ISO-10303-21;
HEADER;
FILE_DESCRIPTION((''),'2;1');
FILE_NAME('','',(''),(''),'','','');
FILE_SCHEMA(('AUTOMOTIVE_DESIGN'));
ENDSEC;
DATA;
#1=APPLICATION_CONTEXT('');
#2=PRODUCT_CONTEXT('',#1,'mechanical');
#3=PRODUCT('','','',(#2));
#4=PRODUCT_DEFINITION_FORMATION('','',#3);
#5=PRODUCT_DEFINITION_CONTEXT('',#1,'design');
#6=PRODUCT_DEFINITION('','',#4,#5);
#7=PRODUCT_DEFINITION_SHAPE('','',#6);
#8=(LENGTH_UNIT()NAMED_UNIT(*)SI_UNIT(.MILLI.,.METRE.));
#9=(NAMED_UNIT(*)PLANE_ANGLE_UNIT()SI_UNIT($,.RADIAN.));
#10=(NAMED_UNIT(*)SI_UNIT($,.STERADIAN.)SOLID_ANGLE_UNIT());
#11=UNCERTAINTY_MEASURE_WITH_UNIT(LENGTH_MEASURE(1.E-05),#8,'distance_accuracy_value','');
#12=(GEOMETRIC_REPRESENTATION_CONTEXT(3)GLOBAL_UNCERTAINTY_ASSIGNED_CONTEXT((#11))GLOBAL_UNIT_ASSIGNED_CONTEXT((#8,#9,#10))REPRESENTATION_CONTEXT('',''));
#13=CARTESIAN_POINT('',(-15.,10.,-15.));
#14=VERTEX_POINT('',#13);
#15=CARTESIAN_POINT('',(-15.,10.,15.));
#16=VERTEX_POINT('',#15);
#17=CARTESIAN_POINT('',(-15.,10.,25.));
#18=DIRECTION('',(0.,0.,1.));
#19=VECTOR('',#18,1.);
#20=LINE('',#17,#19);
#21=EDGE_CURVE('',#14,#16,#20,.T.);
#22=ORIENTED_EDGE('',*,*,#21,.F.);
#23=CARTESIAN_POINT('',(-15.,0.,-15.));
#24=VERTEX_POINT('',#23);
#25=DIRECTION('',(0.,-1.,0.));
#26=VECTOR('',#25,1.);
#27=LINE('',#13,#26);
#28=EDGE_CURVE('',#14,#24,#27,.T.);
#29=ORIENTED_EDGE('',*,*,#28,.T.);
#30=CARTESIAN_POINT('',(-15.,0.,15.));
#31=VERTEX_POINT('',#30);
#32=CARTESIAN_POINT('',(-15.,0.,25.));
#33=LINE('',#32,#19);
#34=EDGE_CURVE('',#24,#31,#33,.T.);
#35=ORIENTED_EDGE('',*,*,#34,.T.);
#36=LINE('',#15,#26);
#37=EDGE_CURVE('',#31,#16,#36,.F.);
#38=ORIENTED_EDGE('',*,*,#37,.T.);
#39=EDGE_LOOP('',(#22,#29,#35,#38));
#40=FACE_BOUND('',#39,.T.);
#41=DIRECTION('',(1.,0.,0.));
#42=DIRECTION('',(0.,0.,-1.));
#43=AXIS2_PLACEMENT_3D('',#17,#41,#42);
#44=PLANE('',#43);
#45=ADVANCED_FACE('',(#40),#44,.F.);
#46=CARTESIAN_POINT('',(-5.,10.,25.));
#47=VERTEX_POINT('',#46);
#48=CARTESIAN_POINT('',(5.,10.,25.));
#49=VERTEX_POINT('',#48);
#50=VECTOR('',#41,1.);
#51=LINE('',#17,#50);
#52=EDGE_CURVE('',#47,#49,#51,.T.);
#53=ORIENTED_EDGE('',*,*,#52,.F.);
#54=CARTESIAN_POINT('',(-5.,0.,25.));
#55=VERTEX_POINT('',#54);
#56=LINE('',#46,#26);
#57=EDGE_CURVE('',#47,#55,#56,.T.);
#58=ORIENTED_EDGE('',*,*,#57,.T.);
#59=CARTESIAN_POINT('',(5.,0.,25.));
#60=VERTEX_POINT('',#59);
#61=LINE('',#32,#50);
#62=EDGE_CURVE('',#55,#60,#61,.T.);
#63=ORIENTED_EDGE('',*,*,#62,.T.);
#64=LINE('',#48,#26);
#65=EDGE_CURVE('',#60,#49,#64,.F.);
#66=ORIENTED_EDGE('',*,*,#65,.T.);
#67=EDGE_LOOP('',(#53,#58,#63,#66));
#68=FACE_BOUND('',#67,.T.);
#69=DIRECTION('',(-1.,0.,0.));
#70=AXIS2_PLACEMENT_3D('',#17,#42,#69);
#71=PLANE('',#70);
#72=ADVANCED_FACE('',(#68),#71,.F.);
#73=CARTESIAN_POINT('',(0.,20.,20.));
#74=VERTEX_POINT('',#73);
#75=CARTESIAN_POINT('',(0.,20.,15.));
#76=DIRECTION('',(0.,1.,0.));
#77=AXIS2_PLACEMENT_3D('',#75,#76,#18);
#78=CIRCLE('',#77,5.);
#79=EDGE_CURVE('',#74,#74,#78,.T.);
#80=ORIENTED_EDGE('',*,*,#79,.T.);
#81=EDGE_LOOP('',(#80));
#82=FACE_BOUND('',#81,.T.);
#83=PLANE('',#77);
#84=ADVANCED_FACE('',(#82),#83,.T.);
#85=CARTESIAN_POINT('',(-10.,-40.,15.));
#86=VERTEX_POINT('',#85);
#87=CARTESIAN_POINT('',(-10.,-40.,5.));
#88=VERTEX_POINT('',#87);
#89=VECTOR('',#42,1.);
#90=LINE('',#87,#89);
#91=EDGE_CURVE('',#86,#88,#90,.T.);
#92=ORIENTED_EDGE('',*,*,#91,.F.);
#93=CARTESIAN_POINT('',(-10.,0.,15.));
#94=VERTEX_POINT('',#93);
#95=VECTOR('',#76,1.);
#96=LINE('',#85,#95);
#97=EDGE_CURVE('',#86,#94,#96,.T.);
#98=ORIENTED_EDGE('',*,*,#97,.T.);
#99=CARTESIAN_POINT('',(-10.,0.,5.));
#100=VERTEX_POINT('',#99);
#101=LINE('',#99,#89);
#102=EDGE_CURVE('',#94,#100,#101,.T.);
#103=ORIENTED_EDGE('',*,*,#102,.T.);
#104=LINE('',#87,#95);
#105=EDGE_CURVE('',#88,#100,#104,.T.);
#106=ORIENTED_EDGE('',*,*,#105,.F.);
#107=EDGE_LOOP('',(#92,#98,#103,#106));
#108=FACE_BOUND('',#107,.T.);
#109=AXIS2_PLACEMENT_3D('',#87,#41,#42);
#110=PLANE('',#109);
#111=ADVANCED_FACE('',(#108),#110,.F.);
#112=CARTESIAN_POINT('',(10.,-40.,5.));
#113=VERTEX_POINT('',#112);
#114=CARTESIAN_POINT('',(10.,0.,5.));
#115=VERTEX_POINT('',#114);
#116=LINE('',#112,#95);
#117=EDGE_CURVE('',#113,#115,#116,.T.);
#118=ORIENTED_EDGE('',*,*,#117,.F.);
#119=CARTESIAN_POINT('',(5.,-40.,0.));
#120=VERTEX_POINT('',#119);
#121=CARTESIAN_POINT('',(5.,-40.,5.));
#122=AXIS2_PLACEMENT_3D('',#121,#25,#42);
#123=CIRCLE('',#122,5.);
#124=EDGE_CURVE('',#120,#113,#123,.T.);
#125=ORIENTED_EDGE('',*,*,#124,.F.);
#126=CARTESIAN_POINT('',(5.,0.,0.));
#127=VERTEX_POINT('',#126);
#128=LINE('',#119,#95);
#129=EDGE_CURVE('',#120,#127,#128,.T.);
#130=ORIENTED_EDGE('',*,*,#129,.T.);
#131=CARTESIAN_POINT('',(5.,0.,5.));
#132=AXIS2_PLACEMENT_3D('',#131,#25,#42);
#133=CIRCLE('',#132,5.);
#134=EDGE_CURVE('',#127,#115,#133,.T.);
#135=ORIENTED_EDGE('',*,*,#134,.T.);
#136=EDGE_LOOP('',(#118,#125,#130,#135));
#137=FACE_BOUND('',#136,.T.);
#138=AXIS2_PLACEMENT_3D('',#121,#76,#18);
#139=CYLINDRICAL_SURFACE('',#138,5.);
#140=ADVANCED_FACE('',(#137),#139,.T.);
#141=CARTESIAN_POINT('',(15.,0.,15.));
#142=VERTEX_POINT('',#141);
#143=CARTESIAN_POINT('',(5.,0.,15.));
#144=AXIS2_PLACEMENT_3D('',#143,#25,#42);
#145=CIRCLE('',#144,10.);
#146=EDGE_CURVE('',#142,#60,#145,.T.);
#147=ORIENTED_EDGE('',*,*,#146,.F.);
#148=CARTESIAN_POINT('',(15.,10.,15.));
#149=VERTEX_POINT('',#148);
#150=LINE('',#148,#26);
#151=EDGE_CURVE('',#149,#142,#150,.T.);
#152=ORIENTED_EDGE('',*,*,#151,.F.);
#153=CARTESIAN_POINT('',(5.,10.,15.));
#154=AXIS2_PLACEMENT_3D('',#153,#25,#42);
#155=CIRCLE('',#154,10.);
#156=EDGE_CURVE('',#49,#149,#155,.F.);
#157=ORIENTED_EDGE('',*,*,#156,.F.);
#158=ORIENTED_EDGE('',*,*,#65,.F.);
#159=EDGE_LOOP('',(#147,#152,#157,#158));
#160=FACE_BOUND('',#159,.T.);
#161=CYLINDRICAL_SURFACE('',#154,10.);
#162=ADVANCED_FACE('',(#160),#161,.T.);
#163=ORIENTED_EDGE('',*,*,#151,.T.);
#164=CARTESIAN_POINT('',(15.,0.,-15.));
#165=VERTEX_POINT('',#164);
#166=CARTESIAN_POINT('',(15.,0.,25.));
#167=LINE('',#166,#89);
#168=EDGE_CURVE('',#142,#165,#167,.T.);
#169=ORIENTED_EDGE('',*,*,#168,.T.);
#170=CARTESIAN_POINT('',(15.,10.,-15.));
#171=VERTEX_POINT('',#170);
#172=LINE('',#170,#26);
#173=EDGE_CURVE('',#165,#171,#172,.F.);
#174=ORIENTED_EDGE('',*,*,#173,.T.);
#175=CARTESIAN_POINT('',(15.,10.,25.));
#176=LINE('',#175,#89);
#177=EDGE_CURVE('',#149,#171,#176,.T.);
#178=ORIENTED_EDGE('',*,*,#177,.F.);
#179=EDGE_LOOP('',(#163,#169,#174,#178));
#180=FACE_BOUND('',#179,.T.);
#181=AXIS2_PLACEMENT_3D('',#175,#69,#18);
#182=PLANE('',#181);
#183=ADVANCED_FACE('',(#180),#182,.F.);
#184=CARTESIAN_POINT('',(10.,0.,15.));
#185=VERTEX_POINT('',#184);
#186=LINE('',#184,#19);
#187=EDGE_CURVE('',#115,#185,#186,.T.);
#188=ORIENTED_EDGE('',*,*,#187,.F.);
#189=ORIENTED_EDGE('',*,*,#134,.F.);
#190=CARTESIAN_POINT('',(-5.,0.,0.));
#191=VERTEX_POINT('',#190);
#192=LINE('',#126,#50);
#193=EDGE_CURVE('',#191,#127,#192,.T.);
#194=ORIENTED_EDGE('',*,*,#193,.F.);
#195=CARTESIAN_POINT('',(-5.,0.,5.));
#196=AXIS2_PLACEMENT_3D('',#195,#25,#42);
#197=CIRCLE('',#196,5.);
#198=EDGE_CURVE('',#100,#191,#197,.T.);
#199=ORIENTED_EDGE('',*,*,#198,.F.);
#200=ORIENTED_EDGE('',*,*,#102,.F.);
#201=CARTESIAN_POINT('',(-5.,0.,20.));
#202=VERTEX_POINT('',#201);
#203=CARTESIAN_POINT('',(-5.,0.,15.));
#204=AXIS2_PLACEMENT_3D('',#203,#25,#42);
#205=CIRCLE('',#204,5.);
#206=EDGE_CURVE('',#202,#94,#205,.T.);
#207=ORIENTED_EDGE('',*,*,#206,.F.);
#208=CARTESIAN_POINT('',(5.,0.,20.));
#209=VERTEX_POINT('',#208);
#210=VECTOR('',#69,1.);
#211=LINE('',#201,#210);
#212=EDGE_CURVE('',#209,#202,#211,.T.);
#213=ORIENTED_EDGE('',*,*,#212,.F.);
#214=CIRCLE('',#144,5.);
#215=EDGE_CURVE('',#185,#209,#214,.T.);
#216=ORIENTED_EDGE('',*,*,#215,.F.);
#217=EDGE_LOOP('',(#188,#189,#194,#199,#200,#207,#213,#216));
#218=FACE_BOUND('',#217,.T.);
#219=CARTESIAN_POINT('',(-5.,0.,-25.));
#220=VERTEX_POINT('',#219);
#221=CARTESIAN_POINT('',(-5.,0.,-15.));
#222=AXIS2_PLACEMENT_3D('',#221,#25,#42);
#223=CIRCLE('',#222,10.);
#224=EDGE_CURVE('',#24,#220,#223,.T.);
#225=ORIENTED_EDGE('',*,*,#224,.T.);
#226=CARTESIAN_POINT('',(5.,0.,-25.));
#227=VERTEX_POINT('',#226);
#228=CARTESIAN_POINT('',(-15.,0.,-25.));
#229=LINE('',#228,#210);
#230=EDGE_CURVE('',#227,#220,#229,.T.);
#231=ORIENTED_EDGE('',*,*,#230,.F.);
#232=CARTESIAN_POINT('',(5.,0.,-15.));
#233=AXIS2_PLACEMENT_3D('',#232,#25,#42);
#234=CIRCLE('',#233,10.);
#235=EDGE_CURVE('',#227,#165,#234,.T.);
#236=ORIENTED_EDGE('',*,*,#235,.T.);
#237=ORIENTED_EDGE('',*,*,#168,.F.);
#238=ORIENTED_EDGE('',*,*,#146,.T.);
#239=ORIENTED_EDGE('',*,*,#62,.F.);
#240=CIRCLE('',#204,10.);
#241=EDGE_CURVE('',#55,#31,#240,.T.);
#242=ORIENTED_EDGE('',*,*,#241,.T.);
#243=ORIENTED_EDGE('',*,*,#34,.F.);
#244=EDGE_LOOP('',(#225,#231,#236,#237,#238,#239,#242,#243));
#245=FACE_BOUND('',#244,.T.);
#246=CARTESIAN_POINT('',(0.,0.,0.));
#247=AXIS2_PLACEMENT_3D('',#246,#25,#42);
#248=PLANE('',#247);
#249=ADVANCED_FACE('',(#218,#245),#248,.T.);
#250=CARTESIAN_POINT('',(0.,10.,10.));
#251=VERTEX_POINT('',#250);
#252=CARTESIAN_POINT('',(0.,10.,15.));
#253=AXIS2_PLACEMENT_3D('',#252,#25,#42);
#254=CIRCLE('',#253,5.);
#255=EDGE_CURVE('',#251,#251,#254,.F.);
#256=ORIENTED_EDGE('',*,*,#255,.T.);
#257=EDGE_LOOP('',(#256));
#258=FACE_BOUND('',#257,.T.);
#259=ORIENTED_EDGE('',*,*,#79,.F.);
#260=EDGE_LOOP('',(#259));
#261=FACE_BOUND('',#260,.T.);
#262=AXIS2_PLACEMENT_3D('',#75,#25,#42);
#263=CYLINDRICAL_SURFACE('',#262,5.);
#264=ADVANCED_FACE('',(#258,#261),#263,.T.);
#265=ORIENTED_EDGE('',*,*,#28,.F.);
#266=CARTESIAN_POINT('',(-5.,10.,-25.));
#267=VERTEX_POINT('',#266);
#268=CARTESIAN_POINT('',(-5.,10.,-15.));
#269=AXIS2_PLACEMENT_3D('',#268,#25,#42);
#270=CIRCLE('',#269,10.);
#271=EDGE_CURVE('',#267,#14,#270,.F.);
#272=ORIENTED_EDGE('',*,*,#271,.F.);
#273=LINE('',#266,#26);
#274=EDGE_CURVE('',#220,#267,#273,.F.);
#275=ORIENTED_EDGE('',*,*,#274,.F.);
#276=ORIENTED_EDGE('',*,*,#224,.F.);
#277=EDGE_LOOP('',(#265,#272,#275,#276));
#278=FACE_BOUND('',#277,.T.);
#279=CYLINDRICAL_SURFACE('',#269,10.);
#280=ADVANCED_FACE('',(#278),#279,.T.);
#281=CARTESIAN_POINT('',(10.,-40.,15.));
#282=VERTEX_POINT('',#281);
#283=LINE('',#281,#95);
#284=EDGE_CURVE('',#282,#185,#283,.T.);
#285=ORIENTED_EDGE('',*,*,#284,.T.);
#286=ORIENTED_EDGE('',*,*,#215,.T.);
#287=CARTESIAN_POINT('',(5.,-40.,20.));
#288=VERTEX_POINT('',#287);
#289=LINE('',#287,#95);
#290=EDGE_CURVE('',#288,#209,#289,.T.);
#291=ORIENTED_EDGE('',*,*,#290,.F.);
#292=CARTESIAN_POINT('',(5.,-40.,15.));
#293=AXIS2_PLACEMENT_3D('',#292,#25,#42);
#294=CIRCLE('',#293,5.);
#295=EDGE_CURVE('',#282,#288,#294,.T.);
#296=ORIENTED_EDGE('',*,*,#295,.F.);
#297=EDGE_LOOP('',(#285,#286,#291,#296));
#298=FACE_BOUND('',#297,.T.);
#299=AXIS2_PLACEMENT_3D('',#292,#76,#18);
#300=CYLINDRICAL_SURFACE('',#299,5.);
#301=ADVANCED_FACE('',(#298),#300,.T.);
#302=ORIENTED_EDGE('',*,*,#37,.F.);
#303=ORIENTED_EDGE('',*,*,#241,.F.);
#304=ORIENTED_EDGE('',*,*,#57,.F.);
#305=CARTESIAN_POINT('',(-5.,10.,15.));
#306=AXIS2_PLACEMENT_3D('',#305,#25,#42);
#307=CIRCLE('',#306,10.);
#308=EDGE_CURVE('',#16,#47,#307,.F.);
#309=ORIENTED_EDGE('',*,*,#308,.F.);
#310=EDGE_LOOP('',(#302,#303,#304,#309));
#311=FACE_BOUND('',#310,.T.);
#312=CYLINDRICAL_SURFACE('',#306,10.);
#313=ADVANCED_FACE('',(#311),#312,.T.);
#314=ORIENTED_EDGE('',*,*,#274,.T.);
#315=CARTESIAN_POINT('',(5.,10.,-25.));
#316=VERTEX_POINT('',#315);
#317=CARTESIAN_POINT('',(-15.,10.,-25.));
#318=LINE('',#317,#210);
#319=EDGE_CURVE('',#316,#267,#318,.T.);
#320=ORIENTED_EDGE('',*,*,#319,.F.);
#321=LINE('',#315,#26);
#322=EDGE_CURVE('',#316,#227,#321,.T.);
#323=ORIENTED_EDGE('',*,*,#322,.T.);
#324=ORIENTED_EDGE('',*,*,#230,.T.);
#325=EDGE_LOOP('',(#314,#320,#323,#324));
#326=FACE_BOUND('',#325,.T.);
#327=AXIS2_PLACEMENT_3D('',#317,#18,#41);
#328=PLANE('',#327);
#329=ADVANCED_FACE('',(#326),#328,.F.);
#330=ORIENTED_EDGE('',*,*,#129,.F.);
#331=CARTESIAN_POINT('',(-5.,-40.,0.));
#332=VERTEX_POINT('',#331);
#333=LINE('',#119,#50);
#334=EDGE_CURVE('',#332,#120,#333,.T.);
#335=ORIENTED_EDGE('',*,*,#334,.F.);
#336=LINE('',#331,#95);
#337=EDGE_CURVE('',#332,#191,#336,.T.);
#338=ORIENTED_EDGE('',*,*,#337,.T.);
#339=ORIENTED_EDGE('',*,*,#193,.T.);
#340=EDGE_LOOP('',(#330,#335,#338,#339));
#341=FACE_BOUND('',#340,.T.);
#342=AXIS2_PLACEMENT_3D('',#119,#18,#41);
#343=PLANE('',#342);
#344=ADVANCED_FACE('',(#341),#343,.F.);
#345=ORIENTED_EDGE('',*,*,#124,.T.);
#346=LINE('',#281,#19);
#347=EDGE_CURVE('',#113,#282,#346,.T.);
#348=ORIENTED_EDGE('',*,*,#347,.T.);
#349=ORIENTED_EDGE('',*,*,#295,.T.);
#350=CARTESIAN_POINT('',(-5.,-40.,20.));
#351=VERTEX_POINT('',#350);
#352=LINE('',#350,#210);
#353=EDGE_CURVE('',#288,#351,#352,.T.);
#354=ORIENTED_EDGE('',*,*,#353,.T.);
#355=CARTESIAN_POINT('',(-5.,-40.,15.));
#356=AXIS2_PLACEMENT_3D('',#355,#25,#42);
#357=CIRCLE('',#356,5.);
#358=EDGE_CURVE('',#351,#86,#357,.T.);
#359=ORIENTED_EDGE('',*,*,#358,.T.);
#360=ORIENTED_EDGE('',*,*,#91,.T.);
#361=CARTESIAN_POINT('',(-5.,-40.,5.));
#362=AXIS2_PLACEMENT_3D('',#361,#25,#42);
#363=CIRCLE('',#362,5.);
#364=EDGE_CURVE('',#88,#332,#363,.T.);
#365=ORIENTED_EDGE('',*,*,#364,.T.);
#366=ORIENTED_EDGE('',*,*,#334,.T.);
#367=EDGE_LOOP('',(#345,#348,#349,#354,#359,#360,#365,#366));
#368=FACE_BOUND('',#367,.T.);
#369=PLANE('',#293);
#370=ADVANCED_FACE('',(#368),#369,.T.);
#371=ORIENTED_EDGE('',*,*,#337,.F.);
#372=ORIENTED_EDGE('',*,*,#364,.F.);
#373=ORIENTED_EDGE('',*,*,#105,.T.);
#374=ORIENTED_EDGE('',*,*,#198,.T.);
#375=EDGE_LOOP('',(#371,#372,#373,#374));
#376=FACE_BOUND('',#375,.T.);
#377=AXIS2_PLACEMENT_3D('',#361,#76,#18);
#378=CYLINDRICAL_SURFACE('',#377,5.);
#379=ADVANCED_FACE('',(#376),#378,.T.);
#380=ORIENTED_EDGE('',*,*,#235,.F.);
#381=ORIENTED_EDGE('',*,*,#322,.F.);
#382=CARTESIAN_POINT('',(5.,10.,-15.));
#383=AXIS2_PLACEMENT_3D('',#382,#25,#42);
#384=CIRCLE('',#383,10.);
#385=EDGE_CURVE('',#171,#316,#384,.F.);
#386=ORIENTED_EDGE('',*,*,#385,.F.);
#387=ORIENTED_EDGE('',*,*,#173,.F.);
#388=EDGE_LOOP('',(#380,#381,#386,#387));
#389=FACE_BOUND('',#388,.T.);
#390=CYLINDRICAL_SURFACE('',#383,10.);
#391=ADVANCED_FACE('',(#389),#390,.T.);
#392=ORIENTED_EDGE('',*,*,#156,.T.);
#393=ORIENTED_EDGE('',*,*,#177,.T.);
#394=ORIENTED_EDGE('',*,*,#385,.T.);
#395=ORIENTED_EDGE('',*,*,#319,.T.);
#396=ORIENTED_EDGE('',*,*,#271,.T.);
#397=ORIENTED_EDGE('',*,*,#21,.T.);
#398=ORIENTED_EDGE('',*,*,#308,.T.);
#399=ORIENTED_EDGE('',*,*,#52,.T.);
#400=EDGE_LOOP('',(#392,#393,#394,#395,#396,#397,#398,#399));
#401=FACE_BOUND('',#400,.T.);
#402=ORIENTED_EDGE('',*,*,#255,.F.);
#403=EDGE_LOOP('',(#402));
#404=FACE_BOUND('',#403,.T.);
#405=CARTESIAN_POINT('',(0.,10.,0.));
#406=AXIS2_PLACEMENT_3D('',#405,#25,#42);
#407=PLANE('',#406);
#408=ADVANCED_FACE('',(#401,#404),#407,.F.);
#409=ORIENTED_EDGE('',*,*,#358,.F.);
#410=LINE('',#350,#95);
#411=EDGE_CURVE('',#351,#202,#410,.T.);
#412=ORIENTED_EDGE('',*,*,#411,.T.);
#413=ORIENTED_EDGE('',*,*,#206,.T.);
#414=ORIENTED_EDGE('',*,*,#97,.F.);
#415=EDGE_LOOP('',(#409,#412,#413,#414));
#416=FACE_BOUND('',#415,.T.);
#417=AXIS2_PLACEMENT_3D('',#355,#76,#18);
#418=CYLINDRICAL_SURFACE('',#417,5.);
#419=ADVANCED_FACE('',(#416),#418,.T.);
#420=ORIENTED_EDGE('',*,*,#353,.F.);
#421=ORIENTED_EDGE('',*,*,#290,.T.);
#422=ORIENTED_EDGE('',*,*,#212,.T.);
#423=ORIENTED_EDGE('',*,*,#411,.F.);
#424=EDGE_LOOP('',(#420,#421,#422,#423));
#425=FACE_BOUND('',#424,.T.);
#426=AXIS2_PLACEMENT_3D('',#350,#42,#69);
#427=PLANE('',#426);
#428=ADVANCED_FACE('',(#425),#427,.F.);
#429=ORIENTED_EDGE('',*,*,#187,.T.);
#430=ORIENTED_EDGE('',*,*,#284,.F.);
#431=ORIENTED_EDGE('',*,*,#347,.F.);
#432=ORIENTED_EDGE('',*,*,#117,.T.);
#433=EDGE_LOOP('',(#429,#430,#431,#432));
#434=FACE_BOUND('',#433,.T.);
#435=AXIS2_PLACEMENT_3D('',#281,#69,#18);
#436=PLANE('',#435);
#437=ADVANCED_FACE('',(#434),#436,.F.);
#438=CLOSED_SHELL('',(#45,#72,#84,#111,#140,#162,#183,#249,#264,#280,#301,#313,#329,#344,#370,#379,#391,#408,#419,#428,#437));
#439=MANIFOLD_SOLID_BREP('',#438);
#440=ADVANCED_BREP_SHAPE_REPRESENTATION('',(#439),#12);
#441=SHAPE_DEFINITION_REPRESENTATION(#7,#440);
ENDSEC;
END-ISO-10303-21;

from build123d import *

# Parameters (mm, degrees)
SKETCH1_W           = 30
SKETCH1_H           = 50
BOSS_EXTRUDE1_DEPTH = 10
SKETCH2_R           = 5
BOSS_EXTRUDE2_DEPTH = 10
FILLET1_R           = 10
FILLET2_R           = 10
BOSS_EXTRUDE3_DEPTH = 40


with BuildPart() as part:
    # Sketch1 → Boss-Extrude1 (new body)
    with BuildSketch(Plane(origin=(0, 0, 0), x_dir=(1, 0, 0), z_dir=(0, 1, 0))):
        Rectangle(SKETCH1_W, SKETCH1_H)
    extrude(amount=BOSS_EXTRUDE1_DEPTH)

    # Sketch2 → Boss-Extrude2 (add)
    with BuildSketch(Plane(origin=(0, 10, 0), x_dir=(1, 0, 0), z_dir=(0, 1, 0))):
        with Locations(Location((0, -15, 0), (0, 0, 90))):
            Circle(SKETCH2_R)
    extrude(amount=BOSS_EXTRUDE2_DEPTH)

    # Fillet1
    fillet1_edges = [part.edges().sort_by_distance(p)[0] for p in [
        (-15, 5, -25),
        (15, 5, -25),
    ]]
    fillet(fillet1_edges, radius=FILLET1_R)

    # Fillet2
    fillet2_edges = [part.edges().sort_by_distance(p)[0] for p in [
        (15, 5, 25),
        (-15, 5, 25),
    ]]
    fillet(fillet2_edges, radius=FILLET2_R)

    # Sketch3 → Boss-Extrude3 (add)
    with BuildSketch(Plane.XZ):
        with BuildLine():
            Line((10, 15), (10, 5))
            ThreePointArc((10, 5), (8.535533906, 1.464466094), (5, 0))
            Line((5, 0), (-5, 0))
            ThreePointArc((-5, 0), (-8.535533906, 1.464466094), (-10, 5))
            Line((-10, 5), (-10, 15))
            ThreePointArc((-10, 15), (-8.535533906, 18.535533906), (-5, 20))
            Line((-5, 20), (5, 20))
            ThreePointArc((5, 20), (8.535533906, 18.535533906), (10, 15))
        make_face()
    extrude(amount=BOSS_EXTRUDE3_DEPTH)


solid = part.part
